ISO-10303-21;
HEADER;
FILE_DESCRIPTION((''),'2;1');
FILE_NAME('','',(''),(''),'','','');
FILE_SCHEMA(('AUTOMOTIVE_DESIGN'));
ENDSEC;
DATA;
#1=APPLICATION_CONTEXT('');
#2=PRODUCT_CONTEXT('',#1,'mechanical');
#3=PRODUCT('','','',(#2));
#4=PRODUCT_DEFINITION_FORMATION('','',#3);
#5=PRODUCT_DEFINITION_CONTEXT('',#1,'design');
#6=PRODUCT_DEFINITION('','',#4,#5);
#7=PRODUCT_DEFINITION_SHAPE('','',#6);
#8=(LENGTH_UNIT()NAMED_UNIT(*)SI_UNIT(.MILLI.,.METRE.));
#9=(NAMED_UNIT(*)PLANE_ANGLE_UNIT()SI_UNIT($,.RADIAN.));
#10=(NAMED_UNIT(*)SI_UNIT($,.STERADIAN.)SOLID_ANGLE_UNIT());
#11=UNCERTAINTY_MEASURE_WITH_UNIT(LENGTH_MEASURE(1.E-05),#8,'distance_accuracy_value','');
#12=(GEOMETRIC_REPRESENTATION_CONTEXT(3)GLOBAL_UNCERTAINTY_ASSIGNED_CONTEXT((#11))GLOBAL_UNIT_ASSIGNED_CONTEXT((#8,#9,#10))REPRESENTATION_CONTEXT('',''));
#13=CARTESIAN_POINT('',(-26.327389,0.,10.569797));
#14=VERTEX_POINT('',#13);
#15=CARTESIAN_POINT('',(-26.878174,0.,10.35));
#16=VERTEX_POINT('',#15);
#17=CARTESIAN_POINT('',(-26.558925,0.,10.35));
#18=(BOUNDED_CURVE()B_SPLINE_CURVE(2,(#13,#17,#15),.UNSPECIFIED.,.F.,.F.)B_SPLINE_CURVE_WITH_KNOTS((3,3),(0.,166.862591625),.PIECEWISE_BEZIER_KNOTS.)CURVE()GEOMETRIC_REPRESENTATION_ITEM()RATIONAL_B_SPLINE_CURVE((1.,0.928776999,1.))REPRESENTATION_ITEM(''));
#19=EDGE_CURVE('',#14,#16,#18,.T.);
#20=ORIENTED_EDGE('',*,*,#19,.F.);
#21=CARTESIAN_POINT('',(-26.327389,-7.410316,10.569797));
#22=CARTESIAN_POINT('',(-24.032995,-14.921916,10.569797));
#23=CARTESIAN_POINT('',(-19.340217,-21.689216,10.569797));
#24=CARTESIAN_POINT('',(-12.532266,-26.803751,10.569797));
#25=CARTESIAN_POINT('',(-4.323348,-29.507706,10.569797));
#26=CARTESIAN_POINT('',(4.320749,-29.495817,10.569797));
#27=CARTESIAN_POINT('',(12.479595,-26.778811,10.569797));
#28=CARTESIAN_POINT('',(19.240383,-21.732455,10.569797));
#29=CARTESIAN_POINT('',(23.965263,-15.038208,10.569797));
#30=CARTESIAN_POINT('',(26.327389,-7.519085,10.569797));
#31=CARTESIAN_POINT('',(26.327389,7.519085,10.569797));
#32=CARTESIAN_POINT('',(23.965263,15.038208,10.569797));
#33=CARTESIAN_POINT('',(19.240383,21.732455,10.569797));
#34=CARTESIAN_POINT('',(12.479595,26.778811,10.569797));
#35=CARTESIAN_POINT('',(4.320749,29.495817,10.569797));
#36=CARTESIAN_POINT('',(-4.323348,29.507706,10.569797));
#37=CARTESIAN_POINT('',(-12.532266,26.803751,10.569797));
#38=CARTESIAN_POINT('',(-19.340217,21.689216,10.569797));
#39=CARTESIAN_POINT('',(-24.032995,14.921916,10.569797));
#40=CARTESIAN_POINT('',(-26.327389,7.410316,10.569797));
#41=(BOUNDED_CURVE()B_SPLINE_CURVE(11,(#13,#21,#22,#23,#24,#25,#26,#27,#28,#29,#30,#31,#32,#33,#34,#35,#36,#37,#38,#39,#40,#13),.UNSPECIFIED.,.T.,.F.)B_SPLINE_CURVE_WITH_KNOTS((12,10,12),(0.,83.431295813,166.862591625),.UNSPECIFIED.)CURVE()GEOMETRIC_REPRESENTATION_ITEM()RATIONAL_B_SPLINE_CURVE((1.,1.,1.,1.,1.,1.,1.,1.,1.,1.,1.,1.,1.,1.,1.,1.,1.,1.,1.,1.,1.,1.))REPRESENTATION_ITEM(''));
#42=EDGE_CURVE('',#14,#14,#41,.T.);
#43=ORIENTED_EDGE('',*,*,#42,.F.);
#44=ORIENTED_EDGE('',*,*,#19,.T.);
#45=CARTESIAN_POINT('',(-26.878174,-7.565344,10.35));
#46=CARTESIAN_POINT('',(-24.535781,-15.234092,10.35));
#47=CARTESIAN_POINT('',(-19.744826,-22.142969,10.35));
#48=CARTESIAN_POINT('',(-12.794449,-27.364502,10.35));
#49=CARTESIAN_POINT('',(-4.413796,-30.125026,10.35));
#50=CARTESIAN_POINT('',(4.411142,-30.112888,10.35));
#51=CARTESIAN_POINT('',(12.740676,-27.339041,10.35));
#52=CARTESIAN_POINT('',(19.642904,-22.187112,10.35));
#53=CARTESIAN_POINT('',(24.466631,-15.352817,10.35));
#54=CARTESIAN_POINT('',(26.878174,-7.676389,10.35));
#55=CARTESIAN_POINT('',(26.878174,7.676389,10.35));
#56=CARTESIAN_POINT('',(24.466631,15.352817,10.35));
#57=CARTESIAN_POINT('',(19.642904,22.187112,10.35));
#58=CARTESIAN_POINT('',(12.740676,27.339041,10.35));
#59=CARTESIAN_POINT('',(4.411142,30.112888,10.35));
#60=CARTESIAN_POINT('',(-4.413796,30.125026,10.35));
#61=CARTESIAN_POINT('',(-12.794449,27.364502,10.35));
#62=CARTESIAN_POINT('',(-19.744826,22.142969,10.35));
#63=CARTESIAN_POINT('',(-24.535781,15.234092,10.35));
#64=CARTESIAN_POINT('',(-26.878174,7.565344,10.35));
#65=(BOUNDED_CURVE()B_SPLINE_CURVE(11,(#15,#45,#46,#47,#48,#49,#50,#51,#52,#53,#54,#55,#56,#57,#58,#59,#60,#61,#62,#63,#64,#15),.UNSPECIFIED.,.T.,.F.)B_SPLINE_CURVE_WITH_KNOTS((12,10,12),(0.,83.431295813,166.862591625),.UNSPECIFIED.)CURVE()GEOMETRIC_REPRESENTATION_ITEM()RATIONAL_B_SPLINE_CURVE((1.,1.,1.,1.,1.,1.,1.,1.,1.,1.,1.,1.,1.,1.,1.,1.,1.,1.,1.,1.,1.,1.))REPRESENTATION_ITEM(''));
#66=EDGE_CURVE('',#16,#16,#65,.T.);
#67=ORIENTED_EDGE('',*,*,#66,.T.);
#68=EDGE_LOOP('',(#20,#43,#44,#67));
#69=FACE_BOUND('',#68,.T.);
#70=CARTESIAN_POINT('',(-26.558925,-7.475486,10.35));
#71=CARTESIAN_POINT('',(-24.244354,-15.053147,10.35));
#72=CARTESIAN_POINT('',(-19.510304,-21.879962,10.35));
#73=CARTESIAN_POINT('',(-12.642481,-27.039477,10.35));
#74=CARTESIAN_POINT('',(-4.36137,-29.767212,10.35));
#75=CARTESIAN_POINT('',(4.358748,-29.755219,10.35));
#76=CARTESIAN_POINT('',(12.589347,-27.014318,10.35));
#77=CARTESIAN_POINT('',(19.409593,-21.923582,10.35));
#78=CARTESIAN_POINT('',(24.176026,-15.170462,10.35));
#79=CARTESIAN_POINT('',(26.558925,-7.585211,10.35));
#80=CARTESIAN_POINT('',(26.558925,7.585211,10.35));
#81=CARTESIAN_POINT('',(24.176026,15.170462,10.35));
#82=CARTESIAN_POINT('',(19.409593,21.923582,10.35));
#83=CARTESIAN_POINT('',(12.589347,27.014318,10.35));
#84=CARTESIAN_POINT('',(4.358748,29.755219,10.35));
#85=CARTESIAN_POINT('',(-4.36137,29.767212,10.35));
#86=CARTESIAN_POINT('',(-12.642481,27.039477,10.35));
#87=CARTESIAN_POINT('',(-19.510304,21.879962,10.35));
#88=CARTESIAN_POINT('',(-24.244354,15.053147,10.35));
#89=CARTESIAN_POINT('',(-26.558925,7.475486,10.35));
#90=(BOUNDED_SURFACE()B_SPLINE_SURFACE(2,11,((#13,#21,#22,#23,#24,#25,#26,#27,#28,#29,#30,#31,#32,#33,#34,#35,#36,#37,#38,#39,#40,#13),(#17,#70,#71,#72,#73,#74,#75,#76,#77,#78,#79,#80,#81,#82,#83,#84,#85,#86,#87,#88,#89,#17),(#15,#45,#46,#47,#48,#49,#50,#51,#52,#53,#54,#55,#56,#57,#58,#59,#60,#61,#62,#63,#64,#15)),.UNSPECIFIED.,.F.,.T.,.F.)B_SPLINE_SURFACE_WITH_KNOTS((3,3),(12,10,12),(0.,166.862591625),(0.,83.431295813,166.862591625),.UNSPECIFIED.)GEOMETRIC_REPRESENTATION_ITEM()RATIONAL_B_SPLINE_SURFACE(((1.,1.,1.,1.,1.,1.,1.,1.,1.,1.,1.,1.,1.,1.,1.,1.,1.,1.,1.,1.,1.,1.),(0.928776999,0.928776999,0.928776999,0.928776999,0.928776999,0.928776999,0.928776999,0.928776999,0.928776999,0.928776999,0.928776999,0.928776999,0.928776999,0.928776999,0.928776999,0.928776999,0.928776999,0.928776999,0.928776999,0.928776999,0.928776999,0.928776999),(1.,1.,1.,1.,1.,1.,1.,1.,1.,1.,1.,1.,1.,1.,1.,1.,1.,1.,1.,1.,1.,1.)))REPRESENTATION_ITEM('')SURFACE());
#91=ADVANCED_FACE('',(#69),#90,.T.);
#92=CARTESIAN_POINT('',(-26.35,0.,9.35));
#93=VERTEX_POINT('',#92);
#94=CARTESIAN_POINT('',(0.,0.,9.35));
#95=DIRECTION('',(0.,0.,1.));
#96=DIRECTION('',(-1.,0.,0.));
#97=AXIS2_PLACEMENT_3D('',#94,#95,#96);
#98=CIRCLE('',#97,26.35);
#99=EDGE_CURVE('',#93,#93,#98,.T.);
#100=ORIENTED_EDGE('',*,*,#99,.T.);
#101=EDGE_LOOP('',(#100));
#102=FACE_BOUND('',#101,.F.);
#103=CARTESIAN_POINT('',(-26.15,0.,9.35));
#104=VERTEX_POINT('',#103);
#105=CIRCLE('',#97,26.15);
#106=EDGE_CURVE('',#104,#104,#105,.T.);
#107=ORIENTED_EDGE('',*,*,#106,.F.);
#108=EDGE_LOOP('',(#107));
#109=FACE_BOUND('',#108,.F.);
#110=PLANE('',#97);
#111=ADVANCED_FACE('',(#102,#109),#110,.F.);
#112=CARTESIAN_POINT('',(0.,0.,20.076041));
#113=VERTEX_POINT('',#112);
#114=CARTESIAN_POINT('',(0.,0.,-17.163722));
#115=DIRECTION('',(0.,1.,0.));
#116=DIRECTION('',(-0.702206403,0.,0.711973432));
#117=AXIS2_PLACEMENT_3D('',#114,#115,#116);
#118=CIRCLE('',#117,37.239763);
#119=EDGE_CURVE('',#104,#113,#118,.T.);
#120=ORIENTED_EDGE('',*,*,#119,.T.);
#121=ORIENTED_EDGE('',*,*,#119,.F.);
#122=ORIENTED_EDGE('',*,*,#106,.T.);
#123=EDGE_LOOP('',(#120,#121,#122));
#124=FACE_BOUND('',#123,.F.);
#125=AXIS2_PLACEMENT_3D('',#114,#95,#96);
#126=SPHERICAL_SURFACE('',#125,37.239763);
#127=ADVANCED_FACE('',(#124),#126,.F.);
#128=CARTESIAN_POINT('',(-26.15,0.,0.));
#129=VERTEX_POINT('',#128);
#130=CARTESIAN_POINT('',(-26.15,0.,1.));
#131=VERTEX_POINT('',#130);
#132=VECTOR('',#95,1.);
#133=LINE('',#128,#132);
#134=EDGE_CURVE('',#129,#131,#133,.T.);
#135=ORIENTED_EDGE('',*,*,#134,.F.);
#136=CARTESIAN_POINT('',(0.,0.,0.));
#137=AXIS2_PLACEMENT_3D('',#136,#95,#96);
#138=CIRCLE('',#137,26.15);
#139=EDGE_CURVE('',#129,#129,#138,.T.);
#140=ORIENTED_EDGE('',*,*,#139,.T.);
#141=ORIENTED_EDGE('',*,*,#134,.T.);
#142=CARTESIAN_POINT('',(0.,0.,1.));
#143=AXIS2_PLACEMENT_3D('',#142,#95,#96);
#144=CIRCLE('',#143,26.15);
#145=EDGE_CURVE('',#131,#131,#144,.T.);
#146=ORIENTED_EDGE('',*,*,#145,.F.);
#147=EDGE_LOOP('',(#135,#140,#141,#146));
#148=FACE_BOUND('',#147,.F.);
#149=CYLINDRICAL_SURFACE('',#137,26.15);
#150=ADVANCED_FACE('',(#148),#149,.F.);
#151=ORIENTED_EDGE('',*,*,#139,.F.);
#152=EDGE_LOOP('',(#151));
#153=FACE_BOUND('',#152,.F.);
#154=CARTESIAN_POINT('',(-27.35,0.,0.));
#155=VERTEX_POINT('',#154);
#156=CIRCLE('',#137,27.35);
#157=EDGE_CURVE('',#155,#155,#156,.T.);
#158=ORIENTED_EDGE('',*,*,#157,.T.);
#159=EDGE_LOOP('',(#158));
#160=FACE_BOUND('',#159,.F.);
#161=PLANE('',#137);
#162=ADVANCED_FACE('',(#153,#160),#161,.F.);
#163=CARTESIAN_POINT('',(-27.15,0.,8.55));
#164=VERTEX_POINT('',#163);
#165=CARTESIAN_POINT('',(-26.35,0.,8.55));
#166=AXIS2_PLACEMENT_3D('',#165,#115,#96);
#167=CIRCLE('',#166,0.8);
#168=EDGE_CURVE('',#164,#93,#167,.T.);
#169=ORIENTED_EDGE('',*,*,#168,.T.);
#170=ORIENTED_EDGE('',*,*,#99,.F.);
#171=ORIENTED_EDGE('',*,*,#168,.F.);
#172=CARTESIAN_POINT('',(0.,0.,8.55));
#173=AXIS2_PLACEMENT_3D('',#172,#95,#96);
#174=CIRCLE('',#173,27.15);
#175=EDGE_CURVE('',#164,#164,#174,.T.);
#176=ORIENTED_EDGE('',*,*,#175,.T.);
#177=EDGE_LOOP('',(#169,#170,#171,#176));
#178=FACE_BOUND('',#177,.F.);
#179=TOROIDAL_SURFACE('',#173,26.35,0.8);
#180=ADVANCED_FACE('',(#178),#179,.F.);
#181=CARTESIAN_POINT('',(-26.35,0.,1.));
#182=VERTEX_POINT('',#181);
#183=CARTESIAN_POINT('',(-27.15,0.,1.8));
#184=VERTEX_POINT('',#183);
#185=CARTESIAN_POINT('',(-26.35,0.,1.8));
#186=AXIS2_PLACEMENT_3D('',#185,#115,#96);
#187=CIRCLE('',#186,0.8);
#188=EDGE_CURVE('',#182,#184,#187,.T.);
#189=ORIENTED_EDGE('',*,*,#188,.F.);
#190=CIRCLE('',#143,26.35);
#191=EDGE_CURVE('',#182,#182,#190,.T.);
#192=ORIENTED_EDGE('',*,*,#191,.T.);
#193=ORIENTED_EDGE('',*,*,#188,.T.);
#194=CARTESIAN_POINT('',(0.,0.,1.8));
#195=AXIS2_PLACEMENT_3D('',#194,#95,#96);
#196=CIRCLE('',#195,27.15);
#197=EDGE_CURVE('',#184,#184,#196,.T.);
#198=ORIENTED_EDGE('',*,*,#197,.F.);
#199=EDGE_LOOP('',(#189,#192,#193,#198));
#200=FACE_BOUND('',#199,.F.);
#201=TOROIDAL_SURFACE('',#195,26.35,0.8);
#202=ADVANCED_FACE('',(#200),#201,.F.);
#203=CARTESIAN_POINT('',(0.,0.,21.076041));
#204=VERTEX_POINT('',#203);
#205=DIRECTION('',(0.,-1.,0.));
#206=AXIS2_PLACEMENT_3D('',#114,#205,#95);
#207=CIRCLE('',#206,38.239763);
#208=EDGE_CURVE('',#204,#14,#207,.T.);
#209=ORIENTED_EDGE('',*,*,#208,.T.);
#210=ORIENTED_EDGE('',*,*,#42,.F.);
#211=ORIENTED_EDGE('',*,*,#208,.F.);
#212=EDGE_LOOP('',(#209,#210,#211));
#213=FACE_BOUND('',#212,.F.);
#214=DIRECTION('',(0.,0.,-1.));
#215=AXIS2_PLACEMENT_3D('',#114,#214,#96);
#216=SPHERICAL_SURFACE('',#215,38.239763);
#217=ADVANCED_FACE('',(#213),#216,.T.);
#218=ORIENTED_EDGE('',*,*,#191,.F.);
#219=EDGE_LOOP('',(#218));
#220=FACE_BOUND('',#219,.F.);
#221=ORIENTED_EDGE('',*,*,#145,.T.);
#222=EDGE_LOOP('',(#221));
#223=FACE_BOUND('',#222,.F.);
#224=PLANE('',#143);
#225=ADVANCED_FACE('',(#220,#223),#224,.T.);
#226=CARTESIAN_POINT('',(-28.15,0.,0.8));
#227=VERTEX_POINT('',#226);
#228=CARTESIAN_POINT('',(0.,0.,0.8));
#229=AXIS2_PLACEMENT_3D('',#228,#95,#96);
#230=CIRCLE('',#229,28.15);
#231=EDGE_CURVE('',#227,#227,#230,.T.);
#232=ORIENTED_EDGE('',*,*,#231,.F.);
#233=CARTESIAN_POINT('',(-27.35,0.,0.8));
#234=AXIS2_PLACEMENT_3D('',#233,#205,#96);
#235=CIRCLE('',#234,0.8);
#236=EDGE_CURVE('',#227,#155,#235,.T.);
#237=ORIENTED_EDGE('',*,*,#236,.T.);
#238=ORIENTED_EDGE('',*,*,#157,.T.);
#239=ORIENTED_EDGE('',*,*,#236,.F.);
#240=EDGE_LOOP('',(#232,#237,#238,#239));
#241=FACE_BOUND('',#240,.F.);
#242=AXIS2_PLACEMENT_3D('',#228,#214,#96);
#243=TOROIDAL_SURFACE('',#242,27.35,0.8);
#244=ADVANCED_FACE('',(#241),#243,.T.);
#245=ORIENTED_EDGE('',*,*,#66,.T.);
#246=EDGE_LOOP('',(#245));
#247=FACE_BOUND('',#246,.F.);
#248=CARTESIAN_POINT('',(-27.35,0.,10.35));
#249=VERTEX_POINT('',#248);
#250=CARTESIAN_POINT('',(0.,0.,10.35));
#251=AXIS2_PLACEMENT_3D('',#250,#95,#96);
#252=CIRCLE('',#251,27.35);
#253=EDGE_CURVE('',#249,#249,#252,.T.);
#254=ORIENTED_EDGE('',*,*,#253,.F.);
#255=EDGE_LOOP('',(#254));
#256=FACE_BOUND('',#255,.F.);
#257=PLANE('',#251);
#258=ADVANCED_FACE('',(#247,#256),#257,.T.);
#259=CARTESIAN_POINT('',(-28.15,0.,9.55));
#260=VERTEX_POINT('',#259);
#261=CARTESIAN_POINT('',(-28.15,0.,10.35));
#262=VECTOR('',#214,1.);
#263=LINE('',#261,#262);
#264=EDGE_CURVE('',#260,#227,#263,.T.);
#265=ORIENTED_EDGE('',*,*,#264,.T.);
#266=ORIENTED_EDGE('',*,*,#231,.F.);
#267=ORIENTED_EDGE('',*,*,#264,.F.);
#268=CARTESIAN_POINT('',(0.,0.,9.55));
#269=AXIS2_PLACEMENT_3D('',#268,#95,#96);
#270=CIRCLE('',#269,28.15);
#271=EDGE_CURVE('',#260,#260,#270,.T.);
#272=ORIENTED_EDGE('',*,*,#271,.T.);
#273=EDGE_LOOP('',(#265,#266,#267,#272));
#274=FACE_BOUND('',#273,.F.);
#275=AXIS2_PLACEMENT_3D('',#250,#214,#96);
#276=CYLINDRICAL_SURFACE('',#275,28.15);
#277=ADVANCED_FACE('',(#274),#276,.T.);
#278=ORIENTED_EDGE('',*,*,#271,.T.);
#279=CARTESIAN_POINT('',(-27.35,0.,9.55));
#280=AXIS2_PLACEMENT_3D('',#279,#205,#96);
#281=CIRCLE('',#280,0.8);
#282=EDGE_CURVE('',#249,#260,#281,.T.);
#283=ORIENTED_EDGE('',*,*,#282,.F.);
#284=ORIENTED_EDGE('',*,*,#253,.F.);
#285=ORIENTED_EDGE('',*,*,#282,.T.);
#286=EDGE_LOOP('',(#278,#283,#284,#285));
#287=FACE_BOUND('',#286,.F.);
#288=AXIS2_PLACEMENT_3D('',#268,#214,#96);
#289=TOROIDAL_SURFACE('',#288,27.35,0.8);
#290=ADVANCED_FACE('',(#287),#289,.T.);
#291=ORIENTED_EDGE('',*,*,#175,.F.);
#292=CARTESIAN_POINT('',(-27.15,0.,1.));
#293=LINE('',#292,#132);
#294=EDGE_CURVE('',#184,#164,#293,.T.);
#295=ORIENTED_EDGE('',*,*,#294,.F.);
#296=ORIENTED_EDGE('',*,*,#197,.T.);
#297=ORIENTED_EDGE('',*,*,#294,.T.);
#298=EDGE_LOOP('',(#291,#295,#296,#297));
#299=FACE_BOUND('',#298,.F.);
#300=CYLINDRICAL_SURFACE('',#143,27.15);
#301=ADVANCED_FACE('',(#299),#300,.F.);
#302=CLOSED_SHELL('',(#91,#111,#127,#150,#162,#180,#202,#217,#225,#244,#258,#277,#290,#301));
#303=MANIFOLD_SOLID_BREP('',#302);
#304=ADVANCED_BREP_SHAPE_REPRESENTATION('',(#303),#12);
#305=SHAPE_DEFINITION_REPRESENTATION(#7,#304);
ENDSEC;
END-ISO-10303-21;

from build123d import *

# Parameters (mm, degrees)
F3_R = 0.8


with BuildPart() as f2:
    # F1 (on Front) → F2 (revolve)
    with BuildSketch(Plane.XZ):
        with BuildLine():
            ThreePointArc((-26.15, 9.35), (-14.132148264, 17.2903393311), (0, 20.0760411253))
            Line((0, 20.0760411253), (0, 21.0760411253))
            ThreePointArc((0, 21.0760411253), (-14.3206366869, 18.2932779844), (-26.5570062743, 10.35))
            Line((-26.5570062743, 10.35), (-28.15, 10.35))
            Line((-28.15, 10.35), (-28.15, 0))
            Line((-28.15, 0), (-26.15, 0))
            Line((-26.15, 0), (-26.15, 1))
            Line((-26.15, 1), (-27.15, 1))
            Line((-27.15, 1), (-27.15, 9.35))
            Line((-27.15, 9.35), (-26.15, 9.35))
        make_face()
    revolve(axis=Axis((0, 0, 13.7808624732), (0, 0, 1)))

    # F3
    f3_edges = [f2.edges().sort_by_distance(p)[0] for p in [
        (28.15, 0, 10.35),
        (28.15, 0, 0),
        (-28.15, 0, 5.175),
        (26.557006, 0, 10.35),
        (-14.320637, 0, 18.293278),
        (27.15, 0, 1),
        (27.15, 0, 9.35),
        (-27.15, 0, 5.175),
    ]]
    fillet(f3_edges, radius=F3_R)


solid = f2.part
